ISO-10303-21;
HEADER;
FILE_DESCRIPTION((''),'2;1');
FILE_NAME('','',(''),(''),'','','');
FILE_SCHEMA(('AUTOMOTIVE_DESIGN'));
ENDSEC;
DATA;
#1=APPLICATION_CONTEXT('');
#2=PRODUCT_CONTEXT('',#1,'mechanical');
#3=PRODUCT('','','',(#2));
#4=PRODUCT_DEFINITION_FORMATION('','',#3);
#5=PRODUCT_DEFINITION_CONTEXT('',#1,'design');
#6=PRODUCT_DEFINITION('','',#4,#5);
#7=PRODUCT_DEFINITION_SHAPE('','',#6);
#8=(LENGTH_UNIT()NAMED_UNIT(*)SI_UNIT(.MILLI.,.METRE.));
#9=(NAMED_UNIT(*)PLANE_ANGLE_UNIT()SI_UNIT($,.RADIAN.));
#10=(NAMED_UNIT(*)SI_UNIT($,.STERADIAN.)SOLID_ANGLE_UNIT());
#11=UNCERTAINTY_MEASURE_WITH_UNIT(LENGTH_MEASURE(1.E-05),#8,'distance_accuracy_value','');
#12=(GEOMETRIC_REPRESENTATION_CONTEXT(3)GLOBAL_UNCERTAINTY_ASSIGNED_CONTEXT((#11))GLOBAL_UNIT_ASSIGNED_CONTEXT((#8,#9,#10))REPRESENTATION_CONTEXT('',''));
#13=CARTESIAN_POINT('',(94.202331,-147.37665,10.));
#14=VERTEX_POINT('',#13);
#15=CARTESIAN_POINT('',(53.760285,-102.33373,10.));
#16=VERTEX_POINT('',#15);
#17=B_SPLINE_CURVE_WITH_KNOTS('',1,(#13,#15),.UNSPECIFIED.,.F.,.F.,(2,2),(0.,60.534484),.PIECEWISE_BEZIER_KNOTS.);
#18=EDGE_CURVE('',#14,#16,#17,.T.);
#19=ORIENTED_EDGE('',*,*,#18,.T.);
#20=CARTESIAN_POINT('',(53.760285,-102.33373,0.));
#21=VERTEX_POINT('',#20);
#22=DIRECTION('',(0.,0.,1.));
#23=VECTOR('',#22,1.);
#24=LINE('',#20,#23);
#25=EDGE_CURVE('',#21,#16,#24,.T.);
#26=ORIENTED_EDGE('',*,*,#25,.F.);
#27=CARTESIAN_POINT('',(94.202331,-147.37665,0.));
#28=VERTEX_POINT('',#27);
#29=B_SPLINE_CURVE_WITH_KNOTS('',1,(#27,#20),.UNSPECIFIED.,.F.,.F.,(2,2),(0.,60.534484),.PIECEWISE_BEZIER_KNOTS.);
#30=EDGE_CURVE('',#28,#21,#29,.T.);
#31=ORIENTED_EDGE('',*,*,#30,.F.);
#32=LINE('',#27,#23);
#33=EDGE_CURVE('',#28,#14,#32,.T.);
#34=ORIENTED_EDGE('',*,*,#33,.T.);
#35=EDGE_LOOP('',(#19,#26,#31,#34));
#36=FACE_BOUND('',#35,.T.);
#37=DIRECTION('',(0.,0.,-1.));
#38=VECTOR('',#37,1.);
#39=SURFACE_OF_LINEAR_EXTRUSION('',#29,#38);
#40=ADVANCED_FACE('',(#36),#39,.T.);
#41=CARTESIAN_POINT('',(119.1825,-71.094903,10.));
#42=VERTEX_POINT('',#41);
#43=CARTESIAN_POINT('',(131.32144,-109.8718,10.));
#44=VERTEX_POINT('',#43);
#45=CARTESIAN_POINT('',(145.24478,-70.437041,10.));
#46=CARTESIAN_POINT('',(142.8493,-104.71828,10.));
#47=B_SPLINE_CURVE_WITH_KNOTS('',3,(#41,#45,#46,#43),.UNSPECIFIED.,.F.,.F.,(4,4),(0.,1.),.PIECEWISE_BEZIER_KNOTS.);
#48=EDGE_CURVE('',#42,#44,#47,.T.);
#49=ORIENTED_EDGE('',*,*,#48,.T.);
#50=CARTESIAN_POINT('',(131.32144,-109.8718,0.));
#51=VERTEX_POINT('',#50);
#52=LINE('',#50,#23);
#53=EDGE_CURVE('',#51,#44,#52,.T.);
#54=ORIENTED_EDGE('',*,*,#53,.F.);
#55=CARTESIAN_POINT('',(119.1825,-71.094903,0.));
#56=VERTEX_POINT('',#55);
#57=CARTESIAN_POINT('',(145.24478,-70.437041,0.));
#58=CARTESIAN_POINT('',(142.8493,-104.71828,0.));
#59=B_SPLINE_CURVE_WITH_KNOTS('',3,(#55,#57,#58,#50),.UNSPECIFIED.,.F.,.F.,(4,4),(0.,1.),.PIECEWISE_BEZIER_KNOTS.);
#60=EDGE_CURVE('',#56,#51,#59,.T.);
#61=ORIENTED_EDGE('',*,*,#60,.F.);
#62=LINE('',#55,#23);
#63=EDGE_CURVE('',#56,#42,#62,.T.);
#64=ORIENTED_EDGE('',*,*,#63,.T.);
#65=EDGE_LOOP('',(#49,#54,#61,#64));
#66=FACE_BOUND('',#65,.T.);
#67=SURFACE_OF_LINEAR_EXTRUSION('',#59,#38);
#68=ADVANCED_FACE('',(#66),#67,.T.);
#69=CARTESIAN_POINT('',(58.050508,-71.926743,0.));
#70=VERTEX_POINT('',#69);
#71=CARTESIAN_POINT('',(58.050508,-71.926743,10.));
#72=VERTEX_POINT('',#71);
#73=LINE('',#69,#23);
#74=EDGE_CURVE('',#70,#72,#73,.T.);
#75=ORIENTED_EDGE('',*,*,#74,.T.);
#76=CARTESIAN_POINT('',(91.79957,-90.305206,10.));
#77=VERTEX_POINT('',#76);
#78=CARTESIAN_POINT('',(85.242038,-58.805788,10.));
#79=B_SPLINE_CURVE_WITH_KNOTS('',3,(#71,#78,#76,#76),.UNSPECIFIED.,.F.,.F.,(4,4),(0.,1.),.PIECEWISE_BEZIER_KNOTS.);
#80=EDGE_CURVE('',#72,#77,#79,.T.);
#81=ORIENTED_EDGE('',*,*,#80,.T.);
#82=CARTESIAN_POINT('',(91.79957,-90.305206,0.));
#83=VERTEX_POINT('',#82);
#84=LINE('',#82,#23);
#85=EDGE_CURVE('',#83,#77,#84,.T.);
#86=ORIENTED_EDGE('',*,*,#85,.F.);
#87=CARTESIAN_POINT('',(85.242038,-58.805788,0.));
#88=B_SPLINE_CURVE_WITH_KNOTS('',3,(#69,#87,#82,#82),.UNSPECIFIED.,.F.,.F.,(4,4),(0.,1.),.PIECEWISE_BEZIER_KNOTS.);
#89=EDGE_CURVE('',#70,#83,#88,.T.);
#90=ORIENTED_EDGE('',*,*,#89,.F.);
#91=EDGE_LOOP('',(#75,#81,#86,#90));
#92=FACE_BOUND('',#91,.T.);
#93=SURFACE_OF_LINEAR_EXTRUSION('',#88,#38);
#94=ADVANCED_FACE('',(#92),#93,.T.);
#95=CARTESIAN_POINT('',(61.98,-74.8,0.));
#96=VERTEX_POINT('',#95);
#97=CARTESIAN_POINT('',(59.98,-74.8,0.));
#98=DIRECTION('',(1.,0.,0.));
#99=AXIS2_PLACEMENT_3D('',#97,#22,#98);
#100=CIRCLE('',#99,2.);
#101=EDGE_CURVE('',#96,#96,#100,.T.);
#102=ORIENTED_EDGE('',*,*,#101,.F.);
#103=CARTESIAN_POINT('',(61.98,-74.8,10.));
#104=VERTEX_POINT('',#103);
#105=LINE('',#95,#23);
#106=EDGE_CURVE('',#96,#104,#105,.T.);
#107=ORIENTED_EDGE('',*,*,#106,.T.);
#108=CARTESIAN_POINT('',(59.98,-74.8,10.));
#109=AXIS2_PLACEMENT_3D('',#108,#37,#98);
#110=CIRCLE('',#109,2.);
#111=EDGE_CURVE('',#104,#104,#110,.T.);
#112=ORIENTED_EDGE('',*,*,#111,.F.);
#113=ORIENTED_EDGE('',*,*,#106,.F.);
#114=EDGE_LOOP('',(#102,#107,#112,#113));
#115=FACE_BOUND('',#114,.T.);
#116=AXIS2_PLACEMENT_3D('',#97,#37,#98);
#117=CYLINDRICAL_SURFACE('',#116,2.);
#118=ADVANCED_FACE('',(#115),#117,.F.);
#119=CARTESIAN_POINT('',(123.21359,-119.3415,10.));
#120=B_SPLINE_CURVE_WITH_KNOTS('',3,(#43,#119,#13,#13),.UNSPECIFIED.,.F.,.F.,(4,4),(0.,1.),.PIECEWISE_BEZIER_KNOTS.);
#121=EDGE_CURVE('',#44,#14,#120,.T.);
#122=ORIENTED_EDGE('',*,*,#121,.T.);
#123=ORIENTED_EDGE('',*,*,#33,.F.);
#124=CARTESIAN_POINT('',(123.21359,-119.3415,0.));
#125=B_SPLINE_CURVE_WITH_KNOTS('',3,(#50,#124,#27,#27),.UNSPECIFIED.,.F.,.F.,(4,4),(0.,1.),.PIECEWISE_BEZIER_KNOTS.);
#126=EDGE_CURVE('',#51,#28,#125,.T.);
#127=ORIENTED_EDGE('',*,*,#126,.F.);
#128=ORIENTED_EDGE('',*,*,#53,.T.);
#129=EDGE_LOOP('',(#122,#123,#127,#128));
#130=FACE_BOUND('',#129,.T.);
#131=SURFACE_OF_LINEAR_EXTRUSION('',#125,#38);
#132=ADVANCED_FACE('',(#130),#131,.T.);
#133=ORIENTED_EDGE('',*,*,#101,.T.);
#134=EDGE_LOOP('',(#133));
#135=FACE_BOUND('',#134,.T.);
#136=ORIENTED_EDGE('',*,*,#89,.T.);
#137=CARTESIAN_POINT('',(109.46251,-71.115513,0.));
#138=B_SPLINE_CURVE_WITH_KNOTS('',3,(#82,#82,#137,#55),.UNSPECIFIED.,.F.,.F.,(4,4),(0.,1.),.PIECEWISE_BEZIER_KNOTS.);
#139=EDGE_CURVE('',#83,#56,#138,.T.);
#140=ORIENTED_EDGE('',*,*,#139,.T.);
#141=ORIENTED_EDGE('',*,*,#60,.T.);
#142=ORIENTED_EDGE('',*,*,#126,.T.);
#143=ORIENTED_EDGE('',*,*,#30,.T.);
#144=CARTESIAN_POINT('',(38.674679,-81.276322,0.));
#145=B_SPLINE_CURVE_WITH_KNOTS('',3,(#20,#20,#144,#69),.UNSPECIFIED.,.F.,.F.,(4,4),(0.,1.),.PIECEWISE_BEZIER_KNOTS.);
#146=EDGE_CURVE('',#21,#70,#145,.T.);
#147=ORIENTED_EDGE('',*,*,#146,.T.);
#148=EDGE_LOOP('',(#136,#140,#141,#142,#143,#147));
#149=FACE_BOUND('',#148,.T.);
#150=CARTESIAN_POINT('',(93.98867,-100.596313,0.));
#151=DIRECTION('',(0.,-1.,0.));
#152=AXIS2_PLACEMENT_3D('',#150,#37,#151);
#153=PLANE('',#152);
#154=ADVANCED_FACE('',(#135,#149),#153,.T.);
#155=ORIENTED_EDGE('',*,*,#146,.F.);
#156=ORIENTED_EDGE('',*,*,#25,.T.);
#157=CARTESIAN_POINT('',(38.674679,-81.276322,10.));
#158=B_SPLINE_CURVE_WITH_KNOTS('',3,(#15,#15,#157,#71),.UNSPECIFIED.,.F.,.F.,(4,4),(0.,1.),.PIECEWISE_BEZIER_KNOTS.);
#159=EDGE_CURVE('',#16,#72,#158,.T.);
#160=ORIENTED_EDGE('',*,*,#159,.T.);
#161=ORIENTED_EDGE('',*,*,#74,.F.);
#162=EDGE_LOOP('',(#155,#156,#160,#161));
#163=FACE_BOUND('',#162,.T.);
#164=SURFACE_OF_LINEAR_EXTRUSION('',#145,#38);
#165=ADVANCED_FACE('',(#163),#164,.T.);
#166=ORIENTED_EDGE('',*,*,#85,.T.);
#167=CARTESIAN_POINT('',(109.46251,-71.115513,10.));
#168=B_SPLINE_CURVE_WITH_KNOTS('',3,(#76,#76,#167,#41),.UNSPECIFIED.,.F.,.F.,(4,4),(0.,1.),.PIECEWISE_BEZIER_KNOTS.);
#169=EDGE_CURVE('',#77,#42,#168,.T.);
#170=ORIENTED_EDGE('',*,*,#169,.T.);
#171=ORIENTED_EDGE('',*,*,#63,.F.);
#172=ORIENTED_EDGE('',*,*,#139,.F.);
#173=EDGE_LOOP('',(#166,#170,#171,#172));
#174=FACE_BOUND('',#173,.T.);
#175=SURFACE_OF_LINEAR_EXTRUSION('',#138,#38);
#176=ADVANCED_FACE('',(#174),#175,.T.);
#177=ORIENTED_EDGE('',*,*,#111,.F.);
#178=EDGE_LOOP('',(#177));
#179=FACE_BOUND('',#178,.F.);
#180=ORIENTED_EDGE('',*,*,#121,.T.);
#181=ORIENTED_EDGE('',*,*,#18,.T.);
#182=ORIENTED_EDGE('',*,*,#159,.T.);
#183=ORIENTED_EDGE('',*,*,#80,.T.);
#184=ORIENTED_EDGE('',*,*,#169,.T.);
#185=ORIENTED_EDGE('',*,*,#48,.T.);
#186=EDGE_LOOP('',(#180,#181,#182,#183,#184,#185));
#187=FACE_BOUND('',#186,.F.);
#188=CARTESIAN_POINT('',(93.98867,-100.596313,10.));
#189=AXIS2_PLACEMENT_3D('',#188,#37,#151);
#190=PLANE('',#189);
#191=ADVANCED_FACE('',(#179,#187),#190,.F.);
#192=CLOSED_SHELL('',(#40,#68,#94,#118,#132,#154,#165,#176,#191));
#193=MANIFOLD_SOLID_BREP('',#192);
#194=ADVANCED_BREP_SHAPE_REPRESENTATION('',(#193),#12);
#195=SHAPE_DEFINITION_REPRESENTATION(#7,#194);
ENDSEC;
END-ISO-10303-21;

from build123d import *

# Parameters (mm, degrees)
CYLINDER_R     = 2
CYLINDER_DEPTH = 12
EXTRUDE_DEPTH  = 10


with BuildPart() as cilindro:
    # Cylinder → Cylinder (new body)
    with BuildSketch(Plane(origin=(59.98, -74.8, 0), x_dir=(1, 0, 0), z_dir=(0, 0, 1))):
        Circle(CYLINDER_R)
    extrude(amount=CYLINDER_DEPTH)


with BuildPart() as cut:
    # path2246 → Extrude (new body)
    with BuildSketch(Plane(origin=(94.341844, -105.754461, 0), x_dir=(0, -1, 0), z_dir=(0, 0, -1))):
        with BuildLine():
            add(Edge.make_bspline(
                [(41.622189, 0.139513), (-3.420731, 40.581559)],
                knots=[0, 0, 60.534484, 60.534484], degree=1))
            add(Edge.make_bspline(
                [(-3.420731, 40.581559), (-3.420731, 40.581559), (-24.478139, 55.667165), (-33.827718, 36.291336)],
                knots=[0, 0, 0, 0, 1, 1, 1, 1], degree=3))
            add(Edge.make_bspline(
                [(-33.827718, 36.291336), (-46.948673, 9.099806), (-15.449255, 2.542274), (-15.449255, 2.542274)],
                knots=[0, 0, 0, 0, 1, 1, 1, 1], degree=3))
            add(Edge.make_bspline(
                [(-15.449255, 2.542274), (-15.449255, 2.542274), (-34.638948, -15.120666), (-34.659558, -24.840656)],
                knots=[0, 0, 0, 0, 1, 1, 1, 1], degree=3))
            add(Edge.make_bspline(
                [(-34.659558, -24.840656), (-35.31742, -50.902936), (-1.036181, -48.507456), (4.117339, -36.979596)],
                knots=[0, 0, 0, 0, 1, 1, 1, 1], degree=3))
            add(Edge.make_bspline(
                [(4.117339, -36.979596), (13.587039, -28.871746), (41.622189, 0.139513), (41.622189, 0.139513)],
                knots=[0, 0, 0, 0, 1, 1, 1, 1], degree=3))
        make_face()
    extrude(amount=-EXTRUDE_DEPTH)

    # Cut: cut Cilindro
    add(cilindro.part, mode=Mode.SUBTRACT)


solid = cut.part
